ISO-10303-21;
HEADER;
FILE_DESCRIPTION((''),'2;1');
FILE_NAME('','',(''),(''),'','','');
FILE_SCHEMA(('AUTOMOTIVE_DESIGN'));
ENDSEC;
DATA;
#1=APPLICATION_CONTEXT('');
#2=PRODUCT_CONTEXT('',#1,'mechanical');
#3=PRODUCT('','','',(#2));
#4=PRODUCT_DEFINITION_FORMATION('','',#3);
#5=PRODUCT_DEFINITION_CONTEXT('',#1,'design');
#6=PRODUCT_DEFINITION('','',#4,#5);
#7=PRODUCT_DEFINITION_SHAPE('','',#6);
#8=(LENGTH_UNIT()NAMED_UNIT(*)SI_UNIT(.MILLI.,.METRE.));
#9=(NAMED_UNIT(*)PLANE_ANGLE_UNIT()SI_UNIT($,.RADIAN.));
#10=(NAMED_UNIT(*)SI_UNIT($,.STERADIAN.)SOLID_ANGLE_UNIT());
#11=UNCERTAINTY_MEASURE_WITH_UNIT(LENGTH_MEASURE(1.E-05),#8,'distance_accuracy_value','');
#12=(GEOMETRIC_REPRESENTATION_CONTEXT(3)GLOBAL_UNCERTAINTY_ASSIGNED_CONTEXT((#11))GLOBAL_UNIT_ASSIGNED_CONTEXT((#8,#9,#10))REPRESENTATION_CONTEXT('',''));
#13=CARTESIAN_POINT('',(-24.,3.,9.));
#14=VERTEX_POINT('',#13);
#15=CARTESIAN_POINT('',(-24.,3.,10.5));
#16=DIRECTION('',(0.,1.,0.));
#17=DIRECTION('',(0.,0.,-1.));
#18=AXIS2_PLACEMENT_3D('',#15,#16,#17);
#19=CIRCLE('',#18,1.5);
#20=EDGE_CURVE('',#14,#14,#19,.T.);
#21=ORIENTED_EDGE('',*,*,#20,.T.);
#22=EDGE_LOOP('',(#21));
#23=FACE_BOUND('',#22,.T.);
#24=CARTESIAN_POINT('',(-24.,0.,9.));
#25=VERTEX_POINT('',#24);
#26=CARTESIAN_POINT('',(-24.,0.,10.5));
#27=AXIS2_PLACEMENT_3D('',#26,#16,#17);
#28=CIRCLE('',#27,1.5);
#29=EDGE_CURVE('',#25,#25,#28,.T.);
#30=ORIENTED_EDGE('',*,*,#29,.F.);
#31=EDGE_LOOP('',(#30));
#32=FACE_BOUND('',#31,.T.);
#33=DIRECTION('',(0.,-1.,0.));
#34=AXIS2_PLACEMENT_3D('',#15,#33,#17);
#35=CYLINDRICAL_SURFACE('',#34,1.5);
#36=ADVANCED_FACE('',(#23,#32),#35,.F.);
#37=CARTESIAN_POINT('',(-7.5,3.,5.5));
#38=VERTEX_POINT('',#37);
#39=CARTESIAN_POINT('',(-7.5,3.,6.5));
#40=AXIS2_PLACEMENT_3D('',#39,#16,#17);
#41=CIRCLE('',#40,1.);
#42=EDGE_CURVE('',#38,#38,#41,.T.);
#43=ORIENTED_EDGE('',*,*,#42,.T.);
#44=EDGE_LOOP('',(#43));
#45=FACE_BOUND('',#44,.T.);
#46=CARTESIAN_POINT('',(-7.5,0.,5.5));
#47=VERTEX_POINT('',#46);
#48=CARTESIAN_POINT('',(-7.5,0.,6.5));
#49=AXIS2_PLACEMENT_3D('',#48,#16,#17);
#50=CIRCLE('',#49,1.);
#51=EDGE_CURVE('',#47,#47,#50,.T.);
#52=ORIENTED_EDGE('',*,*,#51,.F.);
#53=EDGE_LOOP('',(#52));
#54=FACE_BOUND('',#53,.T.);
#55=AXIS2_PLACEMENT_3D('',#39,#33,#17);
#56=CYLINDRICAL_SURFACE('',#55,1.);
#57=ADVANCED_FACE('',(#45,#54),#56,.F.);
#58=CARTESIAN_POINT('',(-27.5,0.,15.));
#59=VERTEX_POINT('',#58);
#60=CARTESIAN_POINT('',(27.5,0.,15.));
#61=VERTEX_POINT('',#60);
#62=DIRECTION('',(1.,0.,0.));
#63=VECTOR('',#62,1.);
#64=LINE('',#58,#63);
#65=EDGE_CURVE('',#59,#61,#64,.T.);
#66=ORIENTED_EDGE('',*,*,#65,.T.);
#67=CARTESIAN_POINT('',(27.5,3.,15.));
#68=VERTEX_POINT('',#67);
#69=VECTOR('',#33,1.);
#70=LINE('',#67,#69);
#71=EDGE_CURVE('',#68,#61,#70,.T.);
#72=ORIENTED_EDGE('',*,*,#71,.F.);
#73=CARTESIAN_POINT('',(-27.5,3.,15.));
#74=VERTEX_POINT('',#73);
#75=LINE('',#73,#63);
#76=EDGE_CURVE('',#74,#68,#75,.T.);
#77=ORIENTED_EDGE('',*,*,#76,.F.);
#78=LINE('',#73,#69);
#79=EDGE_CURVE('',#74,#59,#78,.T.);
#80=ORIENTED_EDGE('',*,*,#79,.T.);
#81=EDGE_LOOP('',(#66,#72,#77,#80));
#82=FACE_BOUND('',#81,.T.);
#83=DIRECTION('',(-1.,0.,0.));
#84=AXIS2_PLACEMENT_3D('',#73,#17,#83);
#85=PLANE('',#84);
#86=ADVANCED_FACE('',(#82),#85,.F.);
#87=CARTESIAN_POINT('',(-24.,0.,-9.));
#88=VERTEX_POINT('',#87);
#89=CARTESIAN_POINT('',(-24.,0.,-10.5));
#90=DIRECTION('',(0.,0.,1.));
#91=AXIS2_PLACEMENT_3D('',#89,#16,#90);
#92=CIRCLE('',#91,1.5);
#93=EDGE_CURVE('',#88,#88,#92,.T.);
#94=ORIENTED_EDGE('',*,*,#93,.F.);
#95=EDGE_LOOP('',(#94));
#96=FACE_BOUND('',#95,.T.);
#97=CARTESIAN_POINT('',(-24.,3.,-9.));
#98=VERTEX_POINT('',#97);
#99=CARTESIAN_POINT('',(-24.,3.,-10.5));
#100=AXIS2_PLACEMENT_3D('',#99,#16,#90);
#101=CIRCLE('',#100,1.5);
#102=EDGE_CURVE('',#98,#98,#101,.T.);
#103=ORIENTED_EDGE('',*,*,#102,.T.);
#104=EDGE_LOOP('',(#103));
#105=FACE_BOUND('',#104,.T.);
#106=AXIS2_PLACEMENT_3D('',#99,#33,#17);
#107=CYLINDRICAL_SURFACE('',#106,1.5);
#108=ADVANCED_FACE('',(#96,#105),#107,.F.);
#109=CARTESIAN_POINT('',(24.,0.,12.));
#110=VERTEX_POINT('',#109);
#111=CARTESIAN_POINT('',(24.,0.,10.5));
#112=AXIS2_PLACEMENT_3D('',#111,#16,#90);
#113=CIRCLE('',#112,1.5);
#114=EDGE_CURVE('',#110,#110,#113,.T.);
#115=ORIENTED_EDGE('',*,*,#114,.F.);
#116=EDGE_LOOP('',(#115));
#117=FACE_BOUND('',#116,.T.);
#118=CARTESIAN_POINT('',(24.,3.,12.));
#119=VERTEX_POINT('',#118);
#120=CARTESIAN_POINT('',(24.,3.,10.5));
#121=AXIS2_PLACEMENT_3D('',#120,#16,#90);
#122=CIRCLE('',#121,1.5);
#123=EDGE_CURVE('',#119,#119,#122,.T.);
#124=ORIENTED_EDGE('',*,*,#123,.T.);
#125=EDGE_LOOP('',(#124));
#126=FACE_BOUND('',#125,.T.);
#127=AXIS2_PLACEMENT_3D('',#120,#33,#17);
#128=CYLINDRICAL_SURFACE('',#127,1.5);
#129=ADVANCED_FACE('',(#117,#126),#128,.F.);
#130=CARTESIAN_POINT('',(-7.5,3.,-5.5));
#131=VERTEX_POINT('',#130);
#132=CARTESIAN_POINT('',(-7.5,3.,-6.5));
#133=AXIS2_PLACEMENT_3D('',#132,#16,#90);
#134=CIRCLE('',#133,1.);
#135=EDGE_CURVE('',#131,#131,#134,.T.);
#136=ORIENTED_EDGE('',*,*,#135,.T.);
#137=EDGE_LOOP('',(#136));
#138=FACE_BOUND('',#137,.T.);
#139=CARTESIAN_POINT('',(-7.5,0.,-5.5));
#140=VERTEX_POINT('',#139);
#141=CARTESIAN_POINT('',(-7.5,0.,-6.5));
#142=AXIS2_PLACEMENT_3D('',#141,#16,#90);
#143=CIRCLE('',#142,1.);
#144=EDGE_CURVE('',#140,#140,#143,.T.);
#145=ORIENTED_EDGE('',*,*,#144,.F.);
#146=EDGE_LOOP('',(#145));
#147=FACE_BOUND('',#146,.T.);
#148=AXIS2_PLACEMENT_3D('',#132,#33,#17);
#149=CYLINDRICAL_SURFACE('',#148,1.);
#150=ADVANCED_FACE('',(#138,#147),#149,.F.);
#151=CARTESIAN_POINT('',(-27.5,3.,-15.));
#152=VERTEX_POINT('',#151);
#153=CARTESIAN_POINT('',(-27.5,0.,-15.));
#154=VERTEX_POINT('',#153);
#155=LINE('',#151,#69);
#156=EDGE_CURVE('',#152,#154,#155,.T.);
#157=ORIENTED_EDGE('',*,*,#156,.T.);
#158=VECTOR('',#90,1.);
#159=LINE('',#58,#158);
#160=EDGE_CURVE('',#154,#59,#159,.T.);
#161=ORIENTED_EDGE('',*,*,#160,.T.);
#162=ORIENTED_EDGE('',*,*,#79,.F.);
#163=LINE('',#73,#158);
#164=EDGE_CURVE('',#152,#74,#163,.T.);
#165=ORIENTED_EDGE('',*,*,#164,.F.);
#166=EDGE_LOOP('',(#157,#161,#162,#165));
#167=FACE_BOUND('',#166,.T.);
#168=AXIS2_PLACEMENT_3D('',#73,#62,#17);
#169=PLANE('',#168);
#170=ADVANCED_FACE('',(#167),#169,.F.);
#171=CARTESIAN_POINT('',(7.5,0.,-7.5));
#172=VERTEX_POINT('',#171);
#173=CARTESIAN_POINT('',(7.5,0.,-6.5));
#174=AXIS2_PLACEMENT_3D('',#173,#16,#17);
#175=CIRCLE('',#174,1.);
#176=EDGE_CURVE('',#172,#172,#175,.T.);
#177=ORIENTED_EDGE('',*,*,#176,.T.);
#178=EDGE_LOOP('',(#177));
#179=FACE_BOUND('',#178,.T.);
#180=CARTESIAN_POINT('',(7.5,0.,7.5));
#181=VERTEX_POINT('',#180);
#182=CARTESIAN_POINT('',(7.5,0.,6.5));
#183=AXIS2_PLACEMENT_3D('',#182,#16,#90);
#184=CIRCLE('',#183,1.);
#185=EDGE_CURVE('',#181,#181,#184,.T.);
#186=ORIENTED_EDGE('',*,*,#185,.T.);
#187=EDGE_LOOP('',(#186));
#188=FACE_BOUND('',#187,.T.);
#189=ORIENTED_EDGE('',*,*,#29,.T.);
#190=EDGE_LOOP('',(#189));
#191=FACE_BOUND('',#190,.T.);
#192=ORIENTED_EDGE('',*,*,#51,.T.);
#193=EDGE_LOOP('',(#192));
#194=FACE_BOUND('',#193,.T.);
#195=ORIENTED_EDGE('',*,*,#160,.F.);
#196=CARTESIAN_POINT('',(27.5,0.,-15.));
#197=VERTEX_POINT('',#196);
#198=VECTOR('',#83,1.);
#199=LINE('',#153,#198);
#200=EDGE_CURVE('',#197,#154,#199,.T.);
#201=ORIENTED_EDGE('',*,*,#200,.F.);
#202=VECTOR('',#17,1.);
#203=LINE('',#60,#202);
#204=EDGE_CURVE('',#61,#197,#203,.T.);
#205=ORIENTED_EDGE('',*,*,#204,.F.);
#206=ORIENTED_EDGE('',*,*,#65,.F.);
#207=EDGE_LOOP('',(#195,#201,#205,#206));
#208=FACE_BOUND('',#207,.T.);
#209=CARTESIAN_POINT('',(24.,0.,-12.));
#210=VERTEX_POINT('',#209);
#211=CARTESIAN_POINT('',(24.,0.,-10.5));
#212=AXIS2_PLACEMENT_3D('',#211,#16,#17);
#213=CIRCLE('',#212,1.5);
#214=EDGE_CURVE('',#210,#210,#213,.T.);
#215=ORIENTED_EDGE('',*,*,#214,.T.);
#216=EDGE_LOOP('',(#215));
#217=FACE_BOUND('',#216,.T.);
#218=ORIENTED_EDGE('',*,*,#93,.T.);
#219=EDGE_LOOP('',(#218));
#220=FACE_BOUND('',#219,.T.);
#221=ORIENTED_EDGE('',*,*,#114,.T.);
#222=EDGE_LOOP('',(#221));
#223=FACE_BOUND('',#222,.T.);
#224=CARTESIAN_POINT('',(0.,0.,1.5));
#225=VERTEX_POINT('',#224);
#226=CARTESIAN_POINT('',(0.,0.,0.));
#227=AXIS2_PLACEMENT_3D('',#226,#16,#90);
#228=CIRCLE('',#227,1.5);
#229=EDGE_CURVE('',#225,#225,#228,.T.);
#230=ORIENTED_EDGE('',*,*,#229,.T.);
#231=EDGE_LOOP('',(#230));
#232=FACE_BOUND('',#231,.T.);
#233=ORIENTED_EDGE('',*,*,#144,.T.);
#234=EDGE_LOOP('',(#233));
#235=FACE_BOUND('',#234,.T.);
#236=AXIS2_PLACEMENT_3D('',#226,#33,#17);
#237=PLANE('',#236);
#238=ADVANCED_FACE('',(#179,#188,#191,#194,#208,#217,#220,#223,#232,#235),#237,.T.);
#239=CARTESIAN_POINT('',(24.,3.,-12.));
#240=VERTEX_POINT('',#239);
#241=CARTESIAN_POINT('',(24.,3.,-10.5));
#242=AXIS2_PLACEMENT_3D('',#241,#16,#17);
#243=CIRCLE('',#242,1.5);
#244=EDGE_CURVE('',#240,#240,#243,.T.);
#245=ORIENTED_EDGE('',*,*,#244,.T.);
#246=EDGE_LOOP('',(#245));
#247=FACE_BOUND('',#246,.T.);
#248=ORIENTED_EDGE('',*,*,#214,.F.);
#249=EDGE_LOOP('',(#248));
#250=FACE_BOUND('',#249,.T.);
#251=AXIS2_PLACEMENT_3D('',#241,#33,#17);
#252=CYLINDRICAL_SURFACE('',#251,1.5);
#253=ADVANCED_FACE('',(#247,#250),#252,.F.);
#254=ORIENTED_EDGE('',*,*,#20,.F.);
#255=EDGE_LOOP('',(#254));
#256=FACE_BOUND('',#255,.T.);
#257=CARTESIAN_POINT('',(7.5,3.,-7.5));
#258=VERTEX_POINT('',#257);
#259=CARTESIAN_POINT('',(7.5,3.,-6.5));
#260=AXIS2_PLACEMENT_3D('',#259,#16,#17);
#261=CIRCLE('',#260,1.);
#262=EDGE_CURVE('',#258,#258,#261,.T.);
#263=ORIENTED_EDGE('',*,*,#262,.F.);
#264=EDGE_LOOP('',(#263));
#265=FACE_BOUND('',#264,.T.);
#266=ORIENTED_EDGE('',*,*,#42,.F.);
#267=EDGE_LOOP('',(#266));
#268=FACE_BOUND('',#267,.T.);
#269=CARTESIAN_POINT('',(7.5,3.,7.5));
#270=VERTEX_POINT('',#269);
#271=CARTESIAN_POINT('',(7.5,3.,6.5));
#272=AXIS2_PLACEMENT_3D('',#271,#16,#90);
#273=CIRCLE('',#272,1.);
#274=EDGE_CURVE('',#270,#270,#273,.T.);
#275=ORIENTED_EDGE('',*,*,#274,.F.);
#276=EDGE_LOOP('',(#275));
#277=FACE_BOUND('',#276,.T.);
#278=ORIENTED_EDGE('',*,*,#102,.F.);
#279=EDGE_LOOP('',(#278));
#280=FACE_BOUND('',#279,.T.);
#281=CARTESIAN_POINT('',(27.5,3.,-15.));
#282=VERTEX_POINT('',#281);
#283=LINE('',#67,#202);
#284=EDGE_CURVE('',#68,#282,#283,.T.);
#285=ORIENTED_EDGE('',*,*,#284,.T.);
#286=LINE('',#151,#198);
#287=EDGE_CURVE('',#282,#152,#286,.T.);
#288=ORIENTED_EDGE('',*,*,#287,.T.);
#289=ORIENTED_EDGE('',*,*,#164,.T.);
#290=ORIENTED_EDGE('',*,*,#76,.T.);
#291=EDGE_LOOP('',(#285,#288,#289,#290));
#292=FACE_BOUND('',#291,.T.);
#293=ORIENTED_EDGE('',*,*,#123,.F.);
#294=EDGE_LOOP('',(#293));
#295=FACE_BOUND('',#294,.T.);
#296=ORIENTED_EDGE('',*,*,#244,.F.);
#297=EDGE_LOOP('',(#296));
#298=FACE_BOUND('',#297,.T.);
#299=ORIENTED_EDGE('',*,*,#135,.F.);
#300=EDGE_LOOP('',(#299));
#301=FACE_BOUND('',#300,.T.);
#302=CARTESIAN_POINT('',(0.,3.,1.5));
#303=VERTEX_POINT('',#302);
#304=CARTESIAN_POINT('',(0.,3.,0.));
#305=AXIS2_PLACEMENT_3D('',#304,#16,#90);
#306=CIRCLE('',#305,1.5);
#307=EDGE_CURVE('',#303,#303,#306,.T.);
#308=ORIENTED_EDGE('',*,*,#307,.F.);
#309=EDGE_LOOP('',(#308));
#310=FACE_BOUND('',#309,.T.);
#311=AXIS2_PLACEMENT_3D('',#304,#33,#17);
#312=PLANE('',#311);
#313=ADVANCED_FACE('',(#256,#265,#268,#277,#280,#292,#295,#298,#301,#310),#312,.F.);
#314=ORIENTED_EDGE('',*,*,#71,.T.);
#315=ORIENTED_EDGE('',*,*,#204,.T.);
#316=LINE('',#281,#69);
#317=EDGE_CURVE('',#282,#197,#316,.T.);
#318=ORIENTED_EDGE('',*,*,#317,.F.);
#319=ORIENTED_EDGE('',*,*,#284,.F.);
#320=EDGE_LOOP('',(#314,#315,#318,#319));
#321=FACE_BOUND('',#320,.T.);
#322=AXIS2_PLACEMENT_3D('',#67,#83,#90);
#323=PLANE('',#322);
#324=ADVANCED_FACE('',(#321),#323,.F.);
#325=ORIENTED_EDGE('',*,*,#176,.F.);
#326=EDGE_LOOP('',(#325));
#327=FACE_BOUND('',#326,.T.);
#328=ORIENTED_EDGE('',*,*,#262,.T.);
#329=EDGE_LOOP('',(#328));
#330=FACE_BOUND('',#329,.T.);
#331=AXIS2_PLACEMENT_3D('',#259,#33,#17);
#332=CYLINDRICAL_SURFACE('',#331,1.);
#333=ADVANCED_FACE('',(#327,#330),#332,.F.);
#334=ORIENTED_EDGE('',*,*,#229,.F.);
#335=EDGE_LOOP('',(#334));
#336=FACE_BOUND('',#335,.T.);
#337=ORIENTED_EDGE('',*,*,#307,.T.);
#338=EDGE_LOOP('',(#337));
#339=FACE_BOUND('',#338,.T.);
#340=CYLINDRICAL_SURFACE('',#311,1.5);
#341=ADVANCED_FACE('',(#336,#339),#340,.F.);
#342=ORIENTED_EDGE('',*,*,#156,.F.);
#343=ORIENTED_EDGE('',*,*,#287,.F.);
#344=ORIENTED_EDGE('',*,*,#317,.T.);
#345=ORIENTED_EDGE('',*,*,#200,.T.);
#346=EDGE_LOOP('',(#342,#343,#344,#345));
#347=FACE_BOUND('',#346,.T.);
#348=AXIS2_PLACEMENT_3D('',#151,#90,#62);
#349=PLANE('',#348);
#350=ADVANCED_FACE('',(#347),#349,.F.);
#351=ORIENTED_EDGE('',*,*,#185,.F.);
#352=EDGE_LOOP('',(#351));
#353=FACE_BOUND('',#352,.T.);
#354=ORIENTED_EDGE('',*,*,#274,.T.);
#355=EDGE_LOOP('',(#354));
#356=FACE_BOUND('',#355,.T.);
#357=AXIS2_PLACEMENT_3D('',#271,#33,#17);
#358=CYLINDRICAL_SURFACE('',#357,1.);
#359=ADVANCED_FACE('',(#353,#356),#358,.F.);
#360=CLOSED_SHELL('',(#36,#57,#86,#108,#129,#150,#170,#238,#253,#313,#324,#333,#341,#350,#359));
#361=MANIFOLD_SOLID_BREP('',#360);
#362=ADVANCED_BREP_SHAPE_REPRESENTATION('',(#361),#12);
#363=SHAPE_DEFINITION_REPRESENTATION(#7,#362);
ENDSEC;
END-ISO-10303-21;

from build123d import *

# Parameters (mm, degrees)
ESQUISSE1_W        = 55
ESQUISSE1_H        = 30
ESQUISSE1_R        = 1
ESQUISSE1_R_2      = 1.5
BOSS_EXTRU_1_DEPTH = 3


with BuildPart() as part:
    # Esquisse1 → Boss.-Extru.1 (new body)
    with BuildSketch(Plane(origin=(0, 0, 0), x_dir=(1, 0, 0), z_dir=(0, 1, 0))):
        Rectangle(ESQUISSE1_W, ESQUISSE1_H)
        with Locations(Location((-7.5, 6.5, 0), (0, 0, 270))):
            Circle(ESQUISSE1_R, mode=Mode.SUBTRACT)
        with Locations(Location((-24, 10.5, 0), (0, 0, 270))):
            Circle(ESQUISSE1_R_2, mode=Mode.SUBTRACT)
        with Locations(Location((24, 10.5, 0), (0, 0, 90))):
            Circle(ESQUISSE1_R_2, mode=Mode.SUBTRACT)
        with Locations(Location((7.5, 6.5, 0), (0, 0, 90))):
            Circle(ESQUISSE1_R, mode=Mode.SUBTRACT)
        with Locations(Location((7.5, -6.5, 0), (0, 0, 270))):
            Circle(ESQUISSE1_R, mode=Mode.SUBTRACT)
        with Locations(Location((24, -10.5, 0), (0, 0, 270))):
            Circle(ESQUISSE1_R_2, mode=Mode.SUBTRACT)
        with Locations(Location((-24, -10.5, 0), (0, 0, 90))):
            Circle(ESQUISSE1_R_2, mode=Mode.SUBTRACT)
        with Locations(Location((-7.5, -6.5, 0), (0, 0, 90))):
            Circle(ESQUISSE1_R, mode=Mode.SUBTRACT)
        with Locations(Location((0, 0, 0), (0, 0, 270))):
            Circle(ESQUISSE1_R_2, mode=Mode.SUBTRACT)
    extrude(amount=BOSS_EXTRU_1_DEPTH)


solid = part.part
